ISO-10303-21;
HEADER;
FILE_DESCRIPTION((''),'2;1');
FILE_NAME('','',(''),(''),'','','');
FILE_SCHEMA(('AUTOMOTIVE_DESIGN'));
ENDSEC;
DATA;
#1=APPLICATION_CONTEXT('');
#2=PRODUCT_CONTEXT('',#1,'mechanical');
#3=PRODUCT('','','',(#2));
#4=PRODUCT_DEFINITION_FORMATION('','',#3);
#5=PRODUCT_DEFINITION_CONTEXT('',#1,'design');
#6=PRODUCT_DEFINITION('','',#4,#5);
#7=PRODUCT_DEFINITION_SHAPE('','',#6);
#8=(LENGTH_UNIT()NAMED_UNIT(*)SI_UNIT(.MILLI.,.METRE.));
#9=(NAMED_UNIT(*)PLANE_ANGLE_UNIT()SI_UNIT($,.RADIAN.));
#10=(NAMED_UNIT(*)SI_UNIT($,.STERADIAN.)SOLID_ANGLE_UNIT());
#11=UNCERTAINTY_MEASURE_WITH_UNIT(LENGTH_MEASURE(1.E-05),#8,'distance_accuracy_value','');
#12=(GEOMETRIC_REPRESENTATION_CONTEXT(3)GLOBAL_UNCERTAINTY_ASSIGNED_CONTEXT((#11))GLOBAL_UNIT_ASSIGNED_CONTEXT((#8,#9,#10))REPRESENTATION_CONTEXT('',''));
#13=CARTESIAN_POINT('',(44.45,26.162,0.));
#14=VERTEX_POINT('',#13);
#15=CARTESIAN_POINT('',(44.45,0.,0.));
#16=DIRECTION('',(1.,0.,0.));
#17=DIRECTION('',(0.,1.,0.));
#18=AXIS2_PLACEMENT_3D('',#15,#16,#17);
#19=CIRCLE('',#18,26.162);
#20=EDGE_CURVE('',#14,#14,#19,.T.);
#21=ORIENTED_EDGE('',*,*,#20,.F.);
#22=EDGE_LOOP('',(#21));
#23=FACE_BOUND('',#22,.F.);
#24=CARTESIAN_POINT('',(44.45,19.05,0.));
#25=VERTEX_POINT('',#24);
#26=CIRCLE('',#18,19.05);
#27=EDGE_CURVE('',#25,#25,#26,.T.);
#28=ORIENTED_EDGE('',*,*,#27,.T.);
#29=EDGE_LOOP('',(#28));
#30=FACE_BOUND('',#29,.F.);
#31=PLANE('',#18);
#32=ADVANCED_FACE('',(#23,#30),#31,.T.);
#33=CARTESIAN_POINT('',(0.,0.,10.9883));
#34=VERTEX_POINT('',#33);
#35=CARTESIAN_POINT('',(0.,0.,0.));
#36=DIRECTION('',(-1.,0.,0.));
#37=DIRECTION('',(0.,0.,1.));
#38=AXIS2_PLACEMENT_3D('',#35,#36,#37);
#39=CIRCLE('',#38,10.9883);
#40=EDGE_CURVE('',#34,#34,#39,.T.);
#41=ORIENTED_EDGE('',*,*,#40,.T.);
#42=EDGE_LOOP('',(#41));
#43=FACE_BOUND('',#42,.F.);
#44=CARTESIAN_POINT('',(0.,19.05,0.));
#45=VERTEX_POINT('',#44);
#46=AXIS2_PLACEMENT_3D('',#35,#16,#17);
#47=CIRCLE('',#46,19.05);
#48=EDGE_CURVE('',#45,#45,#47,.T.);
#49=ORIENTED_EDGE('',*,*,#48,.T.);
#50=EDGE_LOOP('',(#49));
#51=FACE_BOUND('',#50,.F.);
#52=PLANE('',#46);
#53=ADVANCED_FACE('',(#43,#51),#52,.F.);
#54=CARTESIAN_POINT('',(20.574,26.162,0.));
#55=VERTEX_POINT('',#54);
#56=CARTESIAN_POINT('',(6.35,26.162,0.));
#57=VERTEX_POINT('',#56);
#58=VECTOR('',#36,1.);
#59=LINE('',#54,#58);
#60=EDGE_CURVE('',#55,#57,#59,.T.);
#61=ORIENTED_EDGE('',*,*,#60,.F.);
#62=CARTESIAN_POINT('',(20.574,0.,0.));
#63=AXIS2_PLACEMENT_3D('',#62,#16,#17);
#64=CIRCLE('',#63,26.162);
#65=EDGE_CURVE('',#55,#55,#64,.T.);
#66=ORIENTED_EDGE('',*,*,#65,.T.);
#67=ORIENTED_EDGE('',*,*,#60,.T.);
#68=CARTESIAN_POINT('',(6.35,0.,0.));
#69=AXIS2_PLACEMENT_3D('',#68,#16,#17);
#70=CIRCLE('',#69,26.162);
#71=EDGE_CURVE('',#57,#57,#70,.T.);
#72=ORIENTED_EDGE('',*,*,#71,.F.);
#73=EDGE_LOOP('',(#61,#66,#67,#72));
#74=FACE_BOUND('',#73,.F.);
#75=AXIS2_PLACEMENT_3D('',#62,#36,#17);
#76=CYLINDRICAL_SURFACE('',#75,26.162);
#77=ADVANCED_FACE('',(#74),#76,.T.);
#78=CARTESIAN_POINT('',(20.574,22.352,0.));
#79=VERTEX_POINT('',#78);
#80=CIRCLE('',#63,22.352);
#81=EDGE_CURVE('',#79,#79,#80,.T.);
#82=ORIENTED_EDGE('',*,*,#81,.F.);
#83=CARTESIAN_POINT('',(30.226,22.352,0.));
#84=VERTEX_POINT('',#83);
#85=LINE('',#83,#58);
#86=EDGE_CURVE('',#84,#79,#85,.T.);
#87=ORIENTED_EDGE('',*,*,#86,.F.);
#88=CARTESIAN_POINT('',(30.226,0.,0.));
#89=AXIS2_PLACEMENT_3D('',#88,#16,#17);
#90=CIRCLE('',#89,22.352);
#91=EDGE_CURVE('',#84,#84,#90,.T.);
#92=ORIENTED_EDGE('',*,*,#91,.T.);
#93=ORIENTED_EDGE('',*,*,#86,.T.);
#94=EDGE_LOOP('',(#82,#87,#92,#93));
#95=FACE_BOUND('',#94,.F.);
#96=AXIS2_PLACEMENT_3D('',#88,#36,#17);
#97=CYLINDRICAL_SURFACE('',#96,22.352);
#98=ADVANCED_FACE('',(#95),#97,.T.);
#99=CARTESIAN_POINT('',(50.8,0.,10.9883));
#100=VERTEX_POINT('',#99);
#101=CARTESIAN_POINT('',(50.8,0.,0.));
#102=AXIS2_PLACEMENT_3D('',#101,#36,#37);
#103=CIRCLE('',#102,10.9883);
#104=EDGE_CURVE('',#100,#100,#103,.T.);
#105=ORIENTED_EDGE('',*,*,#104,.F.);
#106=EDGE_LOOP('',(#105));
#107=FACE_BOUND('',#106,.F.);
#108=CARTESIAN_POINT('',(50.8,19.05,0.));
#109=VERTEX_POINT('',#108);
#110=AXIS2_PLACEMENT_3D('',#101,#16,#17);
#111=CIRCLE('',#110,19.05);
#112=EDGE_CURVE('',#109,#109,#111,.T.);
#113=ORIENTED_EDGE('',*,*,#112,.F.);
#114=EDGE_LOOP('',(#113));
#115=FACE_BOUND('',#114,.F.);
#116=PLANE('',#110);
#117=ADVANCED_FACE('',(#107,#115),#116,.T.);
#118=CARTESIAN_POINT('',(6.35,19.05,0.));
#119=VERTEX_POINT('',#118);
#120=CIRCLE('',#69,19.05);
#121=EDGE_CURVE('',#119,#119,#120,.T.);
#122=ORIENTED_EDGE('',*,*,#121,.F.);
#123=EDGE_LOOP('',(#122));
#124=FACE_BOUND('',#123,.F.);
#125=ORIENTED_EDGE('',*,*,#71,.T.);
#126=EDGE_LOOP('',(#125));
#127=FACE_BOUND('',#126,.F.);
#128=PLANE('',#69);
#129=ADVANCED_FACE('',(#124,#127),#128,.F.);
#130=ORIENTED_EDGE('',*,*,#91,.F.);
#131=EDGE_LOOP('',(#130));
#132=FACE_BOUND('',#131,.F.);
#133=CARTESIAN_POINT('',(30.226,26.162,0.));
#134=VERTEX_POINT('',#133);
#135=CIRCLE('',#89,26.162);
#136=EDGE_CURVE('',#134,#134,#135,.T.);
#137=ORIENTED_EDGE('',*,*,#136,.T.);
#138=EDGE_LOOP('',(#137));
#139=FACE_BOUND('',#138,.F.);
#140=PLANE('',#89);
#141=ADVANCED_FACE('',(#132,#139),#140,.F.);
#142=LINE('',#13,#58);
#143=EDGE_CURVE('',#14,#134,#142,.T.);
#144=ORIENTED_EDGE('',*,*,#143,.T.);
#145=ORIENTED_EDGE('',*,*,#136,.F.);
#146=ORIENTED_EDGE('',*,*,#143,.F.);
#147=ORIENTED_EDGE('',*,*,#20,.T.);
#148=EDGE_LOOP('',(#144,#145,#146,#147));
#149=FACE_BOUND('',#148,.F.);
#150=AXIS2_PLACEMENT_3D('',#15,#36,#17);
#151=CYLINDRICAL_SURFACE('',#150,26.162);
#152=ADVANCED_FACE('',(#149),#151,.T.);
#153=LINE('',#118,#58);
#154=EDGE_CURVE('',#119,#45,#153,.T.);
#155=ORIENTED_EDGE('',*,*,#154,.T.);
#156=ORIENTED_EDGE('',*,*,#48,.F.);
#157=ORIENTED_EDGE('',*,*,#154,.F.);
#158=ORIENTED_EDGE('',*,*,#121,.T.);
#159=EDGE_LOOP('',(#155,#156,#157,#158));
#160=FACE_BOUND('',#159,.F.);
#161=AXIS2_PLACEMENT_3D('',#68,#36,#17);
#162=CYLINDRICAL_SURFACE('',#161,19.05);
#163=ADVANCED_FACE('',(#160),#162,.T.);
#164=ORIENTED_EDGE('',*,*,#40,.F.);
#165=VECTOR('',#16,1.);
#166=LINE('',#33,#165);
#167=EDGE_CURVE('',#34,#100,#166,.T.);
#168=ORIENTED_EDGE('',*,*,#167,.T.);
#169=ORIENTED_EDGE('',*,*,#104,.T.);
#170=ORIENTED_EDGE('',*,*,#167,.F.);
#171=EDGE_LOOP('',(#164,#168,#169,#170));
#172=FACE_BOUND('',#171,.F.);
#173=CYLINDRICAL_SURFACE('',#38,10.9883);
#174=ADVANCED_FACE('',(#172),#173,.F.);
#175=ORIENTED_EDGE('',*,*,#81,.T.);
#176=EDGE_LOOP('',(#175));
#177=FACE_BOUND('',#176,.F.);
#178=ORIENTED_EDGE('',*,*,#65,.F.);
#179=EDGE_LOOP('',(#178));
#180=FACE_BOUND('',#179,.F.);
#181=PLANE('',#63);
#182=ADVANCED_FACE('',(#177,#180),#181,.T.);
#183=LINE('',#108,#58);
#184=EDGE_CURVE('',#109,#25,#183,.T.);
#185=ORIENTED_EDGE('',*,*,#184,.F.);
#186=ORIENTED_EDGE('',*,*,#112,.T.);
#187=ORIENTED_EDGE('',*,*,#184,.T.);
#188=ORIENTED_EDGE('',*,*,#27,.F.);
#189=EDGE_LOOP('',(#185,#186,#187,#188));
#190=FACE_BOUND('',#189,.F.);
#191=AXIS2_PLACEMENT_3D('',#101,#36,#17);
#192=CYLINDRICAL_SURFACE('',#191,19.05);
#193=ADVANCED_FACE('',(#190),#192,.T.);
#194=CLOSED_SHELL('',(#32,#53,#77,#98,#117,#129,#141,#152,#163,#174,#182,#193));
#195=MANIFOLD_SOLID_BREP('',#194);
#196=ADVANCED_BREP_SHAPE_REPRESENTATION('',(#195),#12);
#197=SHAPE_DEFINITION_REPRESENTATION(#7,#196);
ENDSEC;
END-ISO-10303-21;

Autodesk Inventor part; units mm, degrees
ref_plane "YZ Plane" through (0, 0, 0) normal (1, 0, 0) x (0, 1, 0)
ref_plane "XZ Plane" through (0, 0, 0) normal (0, 1, 0) x (-1, 0, 0)
ref_plane "XY Plane" through (0, 0, 0) normal (0, 0, 1) x (1, 0, 0)
sketch "Boceto1" plane through (0, 0, 0) normal (0, 0, 1) x (1, 0, 0)
  line L0 (0, 0) -> (6.35, 0)
  line L1 (6.35, 0) -> (6.35, 19.05)
  line L2 (6.35, 19.05) -> (0, 19.05)
  line L3 (0, 19.05) -> (0, 0)
  line L4 (6.35, 0) -> (20.574, 0)
  line L5 (20.574, 0) -> (20.574, 26.162)
  line L6 (20.574, 26.162) -> (6.35, 26.162)
  line L7 (6.35, 26.162) -> (6.35, 0)
  line L8 (20.574, 0) -> (30.226, 0)
  line L9 (30.226, 0) -> (30.226, 22.352)
  line L10 (30.226, 22.352) -> (20.574, 22.352)
  line L11 (20.574, 22.352) -> (20.574, 0)
  line L12 (30.226, 0) -> (44.45, 0)
  line L13 (44.45, 0) -> (44.45, 26.162)
  line L14 (44.45, 26.162) -> (30.226, 26.162)
  line L15 (30.226, 26.162) -> (30.226, 0)
  line L16 (44.45, 0) -> (50.8, 0)
  line L17 (50.8, 0) -> (50.8, 19.05)
  line L18 (50.8, 19.05) -> (44.45, 19.05)
  line L19 (44.45, 19.05) -> (44.45, 0)
  line L20 (0, 0) -> (50.8, 0)
  point P0 (30.226, 22.352)
  point P1 (6.35, 19.05)
  dimension "d2" = 19.05
  dimension "d3" = 26.162
  dimension "d4" = 9.652
  dimension "d5" = 50.8
  dimension "d6" = 14.224
  dimension "d7" = 6.35
  dimension "d8" = 3.81
revolve "Revolución1" add sketch "Boceto1" angle 360 about axis through (0, 0, 0) along (1, 0, 0)
sketch "Boceto2" plane through (0, 0, 0) normal (-1, 0, 0) x (0, 0, 1)
  circle A0 centre (0, 0) radius 10.9883
extrude "Extrusión1" cut sketch "Boceto2" against normal blind 50.8
equation "\"d2\" = 0.5 * DistC"
equation "\"d3\" = 0.5 * DistA"
equation "\"d4\" = DistE"
equation "\"d5\" = DistB"
equation "\"d6\" = DistX"
equation "\"d7\" = DistD - DistX"
equation "\"d10\" = DistB"
equation "\"DistA\" = 52.324"
equation "\"DistB\" = 50.8"
equation "\"DistC\" = 38.1"
equation "\"DistD\" = 20.574"
equation "\"DistE\" = 9.652"
equation "\"DistX\" = 14.224"
properties part number "Pieza2-Tarea2"
